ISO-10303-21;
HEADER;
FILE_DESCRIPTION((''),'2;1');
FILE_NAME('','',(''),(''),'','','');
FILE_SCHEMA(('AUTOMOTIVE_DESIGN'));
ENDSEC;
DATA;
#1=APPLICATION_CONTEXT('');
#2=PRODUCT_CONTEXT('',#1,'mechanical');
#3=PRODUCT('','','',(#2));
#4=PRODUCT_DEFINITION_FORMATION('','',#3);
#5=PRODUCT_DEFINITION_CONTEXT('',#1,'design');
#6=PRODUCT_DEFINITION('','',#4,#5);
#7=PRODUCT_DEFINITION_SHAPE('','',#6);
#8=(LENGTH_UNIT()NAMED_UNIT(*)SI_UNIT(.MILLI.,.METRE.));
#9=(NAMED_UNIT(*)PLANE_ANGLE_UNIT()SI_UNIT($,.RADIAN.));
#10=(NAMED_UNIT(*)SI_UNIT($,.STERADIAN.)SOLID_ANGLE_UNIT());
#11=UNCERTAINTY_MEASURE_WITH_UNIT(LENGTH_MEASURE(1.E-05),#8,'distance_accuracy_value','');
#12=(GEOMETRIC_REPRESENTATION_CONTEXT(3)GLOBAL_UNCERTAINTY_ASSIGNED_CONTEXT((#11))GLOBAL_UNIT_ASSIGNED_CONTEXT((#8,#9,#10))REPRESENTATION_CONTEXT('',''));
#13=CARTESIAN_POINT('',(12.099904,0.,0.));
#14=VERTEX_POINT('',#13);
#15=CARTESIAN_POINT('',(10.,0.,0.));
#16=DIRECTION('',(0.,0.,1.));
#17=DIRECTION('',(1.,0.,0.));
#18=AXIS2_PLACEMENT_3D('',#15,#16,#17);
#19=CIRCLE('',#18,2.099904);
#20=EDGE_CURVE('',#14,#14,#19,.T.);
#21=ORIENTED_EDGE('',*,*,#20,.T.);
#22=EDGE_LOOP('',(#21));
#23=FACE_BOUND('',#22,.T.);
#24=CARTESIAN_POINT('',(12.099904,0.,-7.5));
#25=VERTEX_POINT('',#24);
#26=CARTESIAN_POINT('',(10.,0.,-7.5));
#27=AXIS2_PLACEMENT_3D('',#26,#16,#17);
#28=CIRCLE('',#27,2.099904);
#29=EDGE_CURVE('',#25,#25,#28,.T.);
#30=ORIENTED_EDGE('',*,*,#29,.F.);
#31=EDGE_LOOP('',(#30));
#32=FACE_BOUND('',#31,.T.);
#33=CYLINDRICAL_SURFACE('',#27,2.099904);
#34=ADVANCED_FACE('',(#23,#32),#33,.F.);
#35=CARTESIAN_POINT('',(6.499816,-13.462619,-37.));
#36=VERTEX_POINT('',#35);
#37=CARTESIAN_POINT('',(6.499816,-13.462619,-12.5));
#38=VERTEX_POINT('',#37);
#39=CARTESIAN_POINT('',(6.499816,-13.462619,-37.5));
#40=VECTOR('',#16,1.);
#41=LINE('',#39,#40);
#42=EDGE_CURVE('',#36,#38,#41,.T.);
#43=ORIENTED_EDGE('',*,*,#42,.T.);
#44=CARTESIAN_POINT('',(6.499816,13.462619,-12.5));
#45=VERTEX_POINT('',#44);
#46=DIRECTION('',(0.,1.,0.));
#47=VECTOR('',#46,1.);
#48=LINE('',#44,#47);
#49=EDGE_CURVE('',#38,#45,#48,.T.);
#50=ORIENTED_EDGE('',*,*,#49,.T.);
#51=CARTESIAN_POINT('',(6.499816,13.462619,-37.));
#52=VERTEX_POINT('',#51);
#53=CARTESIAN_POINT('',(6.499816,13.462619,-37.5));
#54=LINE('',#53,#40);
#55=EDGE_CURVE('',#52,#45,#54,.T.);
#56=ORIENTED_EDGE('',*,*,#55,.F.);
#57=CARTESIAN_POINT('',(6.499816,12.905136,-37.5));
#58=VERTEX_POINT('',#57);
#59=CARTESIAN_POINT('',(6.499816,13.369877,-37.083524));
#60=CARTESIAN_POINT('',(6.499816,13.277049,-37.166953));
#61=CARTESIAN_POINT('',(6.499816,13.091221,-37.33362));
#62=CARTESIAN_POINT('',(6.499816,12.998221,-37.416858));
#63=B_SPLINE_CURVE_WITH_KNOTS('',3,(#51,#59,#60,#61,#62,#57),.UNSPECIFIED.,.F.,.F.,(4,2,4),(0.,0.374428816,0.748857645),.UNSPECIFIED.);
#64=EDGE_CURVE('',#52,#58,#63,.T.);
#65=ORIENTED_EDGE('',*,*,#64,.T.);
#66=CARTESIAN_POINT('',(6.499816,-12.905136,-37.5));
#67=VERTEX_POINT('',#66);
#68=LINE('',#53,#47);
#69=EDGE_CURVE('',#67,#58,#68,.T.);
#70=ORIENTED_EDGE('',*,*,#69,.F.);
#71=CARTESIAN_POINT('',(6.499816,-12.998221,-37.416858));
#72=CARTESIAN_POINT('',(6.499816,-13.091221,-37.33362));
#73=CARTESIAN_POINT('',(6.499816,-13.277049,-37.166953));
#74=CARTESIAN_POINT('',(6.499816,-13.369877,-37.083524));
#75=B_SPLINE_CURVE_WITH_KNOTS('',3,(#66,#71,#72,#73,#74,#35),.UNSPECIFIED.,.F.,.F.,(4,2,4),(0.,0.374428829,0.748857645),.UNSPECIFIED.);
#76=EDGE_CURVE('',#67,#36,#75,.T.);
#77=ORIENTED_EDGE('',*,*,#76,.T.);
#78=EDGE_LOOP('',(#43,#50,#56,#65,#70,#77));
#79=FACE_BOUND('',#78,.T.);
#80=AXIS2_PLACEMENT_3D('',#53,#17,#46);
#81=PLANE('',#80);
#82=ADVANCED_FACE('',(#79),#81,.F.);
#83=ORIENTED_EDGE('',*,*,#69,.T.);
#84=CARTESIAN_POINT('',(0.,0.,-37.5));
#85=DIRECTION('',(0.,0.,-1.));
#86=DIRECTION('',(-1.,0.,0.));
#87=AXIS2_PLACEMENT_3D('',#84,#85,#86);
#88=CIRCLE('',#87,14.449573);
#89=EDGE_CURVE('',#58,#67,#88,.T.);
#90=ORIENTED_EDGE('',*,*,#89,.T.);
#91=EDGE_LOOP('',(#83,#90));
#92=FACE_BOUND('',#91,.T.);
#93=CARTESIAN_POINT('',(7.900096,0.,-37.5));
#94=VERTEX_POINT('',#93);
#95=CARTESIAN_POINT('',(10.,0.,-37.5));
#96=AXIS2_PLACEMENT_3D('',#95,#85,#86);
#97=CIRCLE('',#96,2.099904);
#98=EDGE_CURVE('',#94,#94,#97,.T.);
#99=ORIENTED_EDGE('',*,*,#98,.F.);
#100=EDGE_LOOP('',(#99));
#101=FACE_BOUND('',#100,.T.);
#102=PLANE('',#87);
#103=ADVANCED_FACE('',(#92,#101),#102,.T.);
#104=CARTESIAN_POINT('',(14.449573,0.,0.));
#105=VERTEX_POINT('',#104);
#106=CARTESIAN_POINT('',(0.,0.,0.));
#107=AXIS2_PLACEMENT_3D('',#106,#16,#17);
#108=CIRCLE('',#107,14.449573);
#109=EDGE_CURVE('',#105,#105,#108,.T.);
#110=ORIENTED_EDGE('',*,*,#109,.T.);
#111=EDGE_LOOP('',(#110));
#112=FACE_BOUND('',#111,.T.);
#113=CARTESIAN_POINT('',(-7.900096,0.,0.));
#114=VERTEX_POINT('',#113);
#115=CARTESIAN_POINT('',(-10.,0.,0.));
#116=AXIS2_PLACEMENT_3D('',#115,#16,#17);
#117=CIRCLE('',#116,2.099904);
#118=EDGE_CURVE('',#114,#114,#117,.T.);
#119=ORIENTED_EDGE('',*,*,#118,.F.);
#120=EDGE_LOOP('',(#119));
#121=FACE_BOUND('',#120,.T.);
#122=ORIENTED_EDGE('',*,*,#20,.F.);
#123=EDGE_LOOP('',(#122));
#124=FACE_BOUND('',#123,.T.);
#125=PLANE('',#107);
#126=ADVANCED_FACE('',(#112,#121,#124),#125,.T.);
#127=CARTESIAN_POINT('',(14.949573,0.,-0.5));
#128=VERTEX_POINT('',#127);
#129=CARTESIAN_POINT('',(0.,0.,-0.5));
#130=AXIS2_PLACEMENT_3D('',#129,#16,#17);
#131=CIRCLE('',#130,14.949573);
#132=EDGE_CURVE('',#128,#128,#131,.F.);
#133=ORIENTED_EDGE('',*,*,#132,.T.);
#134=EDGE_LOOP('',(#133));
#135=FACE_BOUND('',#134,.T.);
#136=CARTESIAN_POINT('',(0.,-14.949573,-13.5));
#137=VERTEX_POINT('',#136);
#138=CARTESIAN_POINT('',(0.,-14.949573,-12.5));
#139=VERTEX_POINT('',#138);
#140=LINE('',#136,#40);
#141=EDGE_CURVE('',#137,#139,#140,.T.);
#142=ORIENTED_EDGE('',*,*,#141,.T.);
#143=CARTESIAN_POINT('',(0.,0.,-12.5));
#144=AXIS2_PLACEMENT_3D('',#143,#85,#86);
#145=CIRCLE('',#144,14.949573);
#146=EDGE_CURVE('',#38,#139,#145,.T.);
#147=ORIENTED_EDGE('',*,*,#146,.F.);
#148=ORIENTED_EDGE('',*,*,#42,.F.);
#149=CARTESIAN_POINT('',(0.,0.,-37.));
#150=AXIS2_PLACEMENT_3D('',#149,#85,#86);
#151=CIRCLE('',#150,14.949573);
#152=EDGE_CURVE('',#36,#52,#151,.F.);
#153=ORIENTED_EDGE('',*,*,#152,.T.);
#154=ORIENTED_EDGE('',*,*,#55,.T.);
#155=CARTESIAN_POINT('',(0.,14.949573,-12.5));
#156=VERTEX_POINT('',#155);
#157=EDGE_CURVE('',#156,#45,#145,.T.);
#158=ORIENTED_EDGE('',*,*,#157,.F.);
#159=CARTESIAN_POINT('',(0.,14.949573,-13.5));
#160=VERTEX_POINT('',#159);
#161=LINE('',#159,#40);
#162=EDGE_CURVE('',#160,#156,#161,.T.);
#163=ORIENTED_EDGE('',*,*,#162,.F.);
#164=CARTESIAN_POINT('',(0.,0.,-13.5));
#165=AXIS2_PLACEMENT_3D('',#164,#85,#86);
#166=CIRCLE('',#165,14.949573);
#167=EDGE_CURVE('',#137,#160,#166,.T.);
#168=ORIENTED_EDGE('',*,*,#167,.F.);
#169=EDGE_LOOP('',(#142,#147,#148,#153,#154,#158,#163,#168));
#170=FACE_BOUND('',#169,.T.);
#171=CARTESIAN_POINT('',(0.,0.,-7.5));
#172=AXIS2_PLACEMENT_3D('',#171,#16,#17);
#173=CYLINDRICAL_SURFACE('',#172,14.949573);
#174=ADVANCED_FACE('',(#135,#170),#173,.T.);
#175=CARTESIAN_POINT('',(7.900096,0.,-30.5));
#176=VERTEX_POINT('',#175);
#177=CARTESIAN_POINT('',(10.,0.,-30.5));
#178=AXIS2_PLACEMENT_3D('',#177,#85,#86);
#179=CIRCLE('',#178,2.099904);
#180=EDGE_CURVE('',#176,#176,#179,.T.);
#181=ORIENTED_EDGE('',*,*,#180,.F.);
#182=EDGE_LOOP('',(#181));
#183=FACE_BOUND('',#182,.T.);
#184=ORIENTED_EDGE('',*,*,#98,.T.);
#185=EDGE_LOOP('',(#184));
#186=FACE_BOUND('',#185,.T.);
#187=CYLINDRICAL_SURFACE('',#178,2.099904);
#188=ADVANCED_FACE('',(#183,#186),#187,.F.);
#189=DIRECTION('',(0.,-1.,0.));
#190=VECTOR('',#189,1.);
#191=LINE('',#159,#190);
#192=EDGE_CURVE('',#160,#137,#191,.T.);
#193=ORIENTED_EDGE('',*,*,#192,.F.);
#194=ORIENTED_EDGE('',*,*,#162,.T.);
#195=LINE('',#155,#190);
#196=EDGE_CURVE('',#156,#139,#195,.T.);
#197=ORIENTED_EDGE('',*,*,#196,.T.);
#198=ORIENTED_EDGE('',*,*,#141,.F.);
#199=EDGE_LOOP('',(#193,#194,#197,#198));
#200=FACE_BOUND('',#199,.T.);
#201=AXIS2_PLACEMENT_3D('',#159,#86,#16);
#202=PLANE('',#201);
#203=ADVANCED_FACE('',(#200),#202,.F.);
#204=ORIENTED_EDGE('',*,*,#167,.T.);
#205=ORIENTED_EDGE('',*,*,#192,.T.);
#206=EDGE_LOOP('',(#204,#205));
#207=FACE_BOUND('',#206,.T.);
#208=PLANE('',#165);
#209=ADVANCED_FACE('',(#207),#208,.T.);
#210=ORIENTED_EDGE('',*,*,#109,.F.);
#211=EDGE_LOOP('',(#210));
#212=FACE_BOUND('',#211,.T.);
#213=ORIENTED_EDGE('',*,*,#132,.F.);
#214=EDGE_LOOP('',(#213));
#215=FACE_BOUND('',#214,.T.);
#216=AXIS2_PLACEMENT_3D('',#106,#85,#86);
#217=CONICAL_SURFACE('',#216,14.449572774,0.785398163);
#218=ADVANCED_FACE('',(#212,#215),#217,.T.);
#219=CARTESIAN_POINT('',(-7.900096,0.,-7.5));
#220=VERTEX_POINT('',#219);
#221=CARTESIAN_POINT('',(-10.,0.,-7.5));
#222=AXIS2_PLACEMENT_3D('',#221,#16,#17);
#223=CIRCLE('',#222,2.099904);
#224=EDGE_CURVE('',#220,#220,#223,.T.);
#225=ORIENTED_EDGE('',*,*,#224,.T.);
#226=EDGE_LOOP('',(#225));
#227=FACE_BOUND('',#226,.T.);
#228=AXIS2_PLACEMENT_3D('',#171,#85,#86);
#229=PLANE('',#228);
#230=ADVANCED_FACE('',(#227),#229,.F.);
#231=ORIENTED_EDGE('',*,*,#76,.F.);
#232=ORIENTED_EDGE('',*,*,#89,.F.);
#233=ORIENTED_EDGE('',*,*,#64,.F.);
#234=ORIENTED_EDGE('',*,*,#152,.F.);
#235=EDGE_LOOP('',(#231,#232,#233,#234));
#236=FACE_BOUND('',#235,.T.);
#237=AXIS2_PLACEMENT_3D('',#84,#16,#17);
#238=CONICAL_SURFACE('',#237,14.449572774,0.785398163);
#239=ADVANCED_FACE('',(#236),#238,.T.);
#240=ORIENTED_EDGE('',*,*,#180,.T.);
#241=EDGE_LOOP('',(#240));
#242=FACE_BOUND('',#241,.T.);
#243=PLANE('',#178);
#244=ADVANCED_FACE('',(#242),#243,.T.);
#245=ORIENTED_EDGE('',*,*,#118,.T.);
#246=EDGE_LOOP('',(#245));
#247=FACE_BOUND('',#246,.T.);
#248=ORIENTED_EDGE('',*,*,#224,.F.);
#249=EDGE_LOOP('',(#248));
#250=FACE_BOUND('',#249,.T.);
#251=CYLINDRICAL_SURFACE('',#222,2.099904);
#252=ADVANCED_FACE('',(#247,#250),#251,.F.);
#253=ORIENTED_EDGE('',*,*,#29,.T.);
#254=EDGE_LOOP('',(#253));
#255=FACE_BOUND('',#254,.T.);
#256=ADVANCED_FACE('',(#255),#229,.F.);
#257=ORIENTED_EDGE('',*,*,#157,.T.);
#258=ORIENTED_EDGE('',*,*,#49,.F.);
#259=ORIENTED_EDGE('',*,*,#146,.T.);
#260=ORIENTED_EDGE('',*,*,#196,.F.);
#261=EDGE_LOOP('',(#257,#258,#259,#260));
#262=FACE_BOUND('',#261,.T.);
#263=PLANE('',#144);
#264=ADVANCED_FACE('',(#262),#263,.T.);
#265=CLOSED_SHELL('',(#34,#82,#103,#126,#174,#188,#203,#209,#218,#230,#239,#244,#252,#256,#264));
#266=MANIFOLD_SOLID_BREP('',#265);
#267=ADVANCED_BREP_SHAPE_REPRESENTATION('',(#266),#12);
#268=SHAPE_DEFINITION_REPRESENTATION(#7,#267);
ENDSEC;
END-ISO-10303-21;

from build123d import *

# Parameters (mm, degrees)
SKETCH1_R           = 14.949572774
SKETCH1_R_2         = 2.099903903
BOSS_EXTRUDE1_DEPTH = 7.5
SKETCH2_R           = 14.949572774
BOSS_EXTRUDE2_DEPTH = 5
BOSS_EXTRUDE3_DEPTH = 1
BOSS_EXTRUDE4_DEPTH = 25
SKETCH5_R           = 2.099903903
CUT_EXTRUDE1_DEPTH  = 7
CHAMFER2_SIZE       = 0.5
CHAMFER3_SIZE       = 0.5


with BuildPart() as part:
    # Sketch1 → Boss-Extrude1 (new body)
    with BuildSketch(Plane.XY):
        Circle(SKETCH1_R)
        with Locations((9.999999776, -1e-09)):
            Circle(SKETCH1_R_2, mode=Mode.SUBTRACT)
        with Locations((-9.999999776, 1e-09)):
            Circle(SKETCH1_R_2, mode=Mode.SUBTRACT)
    extrude(amount=-BOSS_EXTRUDE1_DEPTH)

    # Sketch2 → Boss-Extrude2 (add)
    with BuildSketch(Plane(origin=(0, 0, -7.5), x_dir=(-1, 0, 0), z_dir=(0, 0, -1))):
        Circle(SKETCH2_R)
    extrude(amount=BOSS_EXTRUDE2_DEPTH)

    # Sketch3 → Boss-Extrude3 (add)
    with BuildSketch(Plane(origin=(0, 0, -12.5), x_dir=(-1, 0, 0), z_dir=(0, 0, -1))):
        with BuildLine():
            Line((-1e-09, 14.949572774), (-1e-09, -14.949572774))
            ThreePointArc((-1e-09, -14.949572774), (14.949572774, 0), (-1e-09, 14.949572774))
        make_face()
    extrude(amount=BOSS_EXTRUDE3_DEPTH)

    # Sketch4 → Boss-Extrude4 (add)
    with BuildSketch(Plane(origin=(0, 0, -12.5), x_dir=(-1, 0, 0), z_dir=(0, 0, -1))):
        with BuildLine():
            Line((-6.499816063, 13.462619257), (-6.499816063, -13.462619257))
            ThreePointArc((-6.499816063, -13.462619257), (-14.949572774, 0), (-6.499816063, 13.462619257))
        make_face()
    extrude(amount=BOSS_EXTRUDE4_DEPTH)

    # Sketch5 → Cut-Extrude1 (cut)
    with BuildSketch(Plane(origin=(0, 0, -37.5), x_dir=(-1, 0, 0), z_dir=(0, 0, -1))):
        with Locations((-9.999999776, -1e-09)):
            Circle(SKETCH5_R)
    extrude(amount=-CUT_EXTRUDE1_DEPTH, mode=Mode.SUBTRACT)

    # Chamfer2
    chamfer2_edges = [part.edges().sort_by_distance(p)[0] for p in [
        (14.949572774, 0, -37.5),
    ]]
    chamfer(chamfer2_edges, length=CHAMFER2_SIZE)

    # Chamfer3
    chamfer3_edges = [part.edges().sort_by_distance(p)[0] for p in [
        (-14.949572774, 0, 0),
    ]]
    chamfer(chamfer3_edges, length=CHAMFER3_SIZE)


solid = part.part
